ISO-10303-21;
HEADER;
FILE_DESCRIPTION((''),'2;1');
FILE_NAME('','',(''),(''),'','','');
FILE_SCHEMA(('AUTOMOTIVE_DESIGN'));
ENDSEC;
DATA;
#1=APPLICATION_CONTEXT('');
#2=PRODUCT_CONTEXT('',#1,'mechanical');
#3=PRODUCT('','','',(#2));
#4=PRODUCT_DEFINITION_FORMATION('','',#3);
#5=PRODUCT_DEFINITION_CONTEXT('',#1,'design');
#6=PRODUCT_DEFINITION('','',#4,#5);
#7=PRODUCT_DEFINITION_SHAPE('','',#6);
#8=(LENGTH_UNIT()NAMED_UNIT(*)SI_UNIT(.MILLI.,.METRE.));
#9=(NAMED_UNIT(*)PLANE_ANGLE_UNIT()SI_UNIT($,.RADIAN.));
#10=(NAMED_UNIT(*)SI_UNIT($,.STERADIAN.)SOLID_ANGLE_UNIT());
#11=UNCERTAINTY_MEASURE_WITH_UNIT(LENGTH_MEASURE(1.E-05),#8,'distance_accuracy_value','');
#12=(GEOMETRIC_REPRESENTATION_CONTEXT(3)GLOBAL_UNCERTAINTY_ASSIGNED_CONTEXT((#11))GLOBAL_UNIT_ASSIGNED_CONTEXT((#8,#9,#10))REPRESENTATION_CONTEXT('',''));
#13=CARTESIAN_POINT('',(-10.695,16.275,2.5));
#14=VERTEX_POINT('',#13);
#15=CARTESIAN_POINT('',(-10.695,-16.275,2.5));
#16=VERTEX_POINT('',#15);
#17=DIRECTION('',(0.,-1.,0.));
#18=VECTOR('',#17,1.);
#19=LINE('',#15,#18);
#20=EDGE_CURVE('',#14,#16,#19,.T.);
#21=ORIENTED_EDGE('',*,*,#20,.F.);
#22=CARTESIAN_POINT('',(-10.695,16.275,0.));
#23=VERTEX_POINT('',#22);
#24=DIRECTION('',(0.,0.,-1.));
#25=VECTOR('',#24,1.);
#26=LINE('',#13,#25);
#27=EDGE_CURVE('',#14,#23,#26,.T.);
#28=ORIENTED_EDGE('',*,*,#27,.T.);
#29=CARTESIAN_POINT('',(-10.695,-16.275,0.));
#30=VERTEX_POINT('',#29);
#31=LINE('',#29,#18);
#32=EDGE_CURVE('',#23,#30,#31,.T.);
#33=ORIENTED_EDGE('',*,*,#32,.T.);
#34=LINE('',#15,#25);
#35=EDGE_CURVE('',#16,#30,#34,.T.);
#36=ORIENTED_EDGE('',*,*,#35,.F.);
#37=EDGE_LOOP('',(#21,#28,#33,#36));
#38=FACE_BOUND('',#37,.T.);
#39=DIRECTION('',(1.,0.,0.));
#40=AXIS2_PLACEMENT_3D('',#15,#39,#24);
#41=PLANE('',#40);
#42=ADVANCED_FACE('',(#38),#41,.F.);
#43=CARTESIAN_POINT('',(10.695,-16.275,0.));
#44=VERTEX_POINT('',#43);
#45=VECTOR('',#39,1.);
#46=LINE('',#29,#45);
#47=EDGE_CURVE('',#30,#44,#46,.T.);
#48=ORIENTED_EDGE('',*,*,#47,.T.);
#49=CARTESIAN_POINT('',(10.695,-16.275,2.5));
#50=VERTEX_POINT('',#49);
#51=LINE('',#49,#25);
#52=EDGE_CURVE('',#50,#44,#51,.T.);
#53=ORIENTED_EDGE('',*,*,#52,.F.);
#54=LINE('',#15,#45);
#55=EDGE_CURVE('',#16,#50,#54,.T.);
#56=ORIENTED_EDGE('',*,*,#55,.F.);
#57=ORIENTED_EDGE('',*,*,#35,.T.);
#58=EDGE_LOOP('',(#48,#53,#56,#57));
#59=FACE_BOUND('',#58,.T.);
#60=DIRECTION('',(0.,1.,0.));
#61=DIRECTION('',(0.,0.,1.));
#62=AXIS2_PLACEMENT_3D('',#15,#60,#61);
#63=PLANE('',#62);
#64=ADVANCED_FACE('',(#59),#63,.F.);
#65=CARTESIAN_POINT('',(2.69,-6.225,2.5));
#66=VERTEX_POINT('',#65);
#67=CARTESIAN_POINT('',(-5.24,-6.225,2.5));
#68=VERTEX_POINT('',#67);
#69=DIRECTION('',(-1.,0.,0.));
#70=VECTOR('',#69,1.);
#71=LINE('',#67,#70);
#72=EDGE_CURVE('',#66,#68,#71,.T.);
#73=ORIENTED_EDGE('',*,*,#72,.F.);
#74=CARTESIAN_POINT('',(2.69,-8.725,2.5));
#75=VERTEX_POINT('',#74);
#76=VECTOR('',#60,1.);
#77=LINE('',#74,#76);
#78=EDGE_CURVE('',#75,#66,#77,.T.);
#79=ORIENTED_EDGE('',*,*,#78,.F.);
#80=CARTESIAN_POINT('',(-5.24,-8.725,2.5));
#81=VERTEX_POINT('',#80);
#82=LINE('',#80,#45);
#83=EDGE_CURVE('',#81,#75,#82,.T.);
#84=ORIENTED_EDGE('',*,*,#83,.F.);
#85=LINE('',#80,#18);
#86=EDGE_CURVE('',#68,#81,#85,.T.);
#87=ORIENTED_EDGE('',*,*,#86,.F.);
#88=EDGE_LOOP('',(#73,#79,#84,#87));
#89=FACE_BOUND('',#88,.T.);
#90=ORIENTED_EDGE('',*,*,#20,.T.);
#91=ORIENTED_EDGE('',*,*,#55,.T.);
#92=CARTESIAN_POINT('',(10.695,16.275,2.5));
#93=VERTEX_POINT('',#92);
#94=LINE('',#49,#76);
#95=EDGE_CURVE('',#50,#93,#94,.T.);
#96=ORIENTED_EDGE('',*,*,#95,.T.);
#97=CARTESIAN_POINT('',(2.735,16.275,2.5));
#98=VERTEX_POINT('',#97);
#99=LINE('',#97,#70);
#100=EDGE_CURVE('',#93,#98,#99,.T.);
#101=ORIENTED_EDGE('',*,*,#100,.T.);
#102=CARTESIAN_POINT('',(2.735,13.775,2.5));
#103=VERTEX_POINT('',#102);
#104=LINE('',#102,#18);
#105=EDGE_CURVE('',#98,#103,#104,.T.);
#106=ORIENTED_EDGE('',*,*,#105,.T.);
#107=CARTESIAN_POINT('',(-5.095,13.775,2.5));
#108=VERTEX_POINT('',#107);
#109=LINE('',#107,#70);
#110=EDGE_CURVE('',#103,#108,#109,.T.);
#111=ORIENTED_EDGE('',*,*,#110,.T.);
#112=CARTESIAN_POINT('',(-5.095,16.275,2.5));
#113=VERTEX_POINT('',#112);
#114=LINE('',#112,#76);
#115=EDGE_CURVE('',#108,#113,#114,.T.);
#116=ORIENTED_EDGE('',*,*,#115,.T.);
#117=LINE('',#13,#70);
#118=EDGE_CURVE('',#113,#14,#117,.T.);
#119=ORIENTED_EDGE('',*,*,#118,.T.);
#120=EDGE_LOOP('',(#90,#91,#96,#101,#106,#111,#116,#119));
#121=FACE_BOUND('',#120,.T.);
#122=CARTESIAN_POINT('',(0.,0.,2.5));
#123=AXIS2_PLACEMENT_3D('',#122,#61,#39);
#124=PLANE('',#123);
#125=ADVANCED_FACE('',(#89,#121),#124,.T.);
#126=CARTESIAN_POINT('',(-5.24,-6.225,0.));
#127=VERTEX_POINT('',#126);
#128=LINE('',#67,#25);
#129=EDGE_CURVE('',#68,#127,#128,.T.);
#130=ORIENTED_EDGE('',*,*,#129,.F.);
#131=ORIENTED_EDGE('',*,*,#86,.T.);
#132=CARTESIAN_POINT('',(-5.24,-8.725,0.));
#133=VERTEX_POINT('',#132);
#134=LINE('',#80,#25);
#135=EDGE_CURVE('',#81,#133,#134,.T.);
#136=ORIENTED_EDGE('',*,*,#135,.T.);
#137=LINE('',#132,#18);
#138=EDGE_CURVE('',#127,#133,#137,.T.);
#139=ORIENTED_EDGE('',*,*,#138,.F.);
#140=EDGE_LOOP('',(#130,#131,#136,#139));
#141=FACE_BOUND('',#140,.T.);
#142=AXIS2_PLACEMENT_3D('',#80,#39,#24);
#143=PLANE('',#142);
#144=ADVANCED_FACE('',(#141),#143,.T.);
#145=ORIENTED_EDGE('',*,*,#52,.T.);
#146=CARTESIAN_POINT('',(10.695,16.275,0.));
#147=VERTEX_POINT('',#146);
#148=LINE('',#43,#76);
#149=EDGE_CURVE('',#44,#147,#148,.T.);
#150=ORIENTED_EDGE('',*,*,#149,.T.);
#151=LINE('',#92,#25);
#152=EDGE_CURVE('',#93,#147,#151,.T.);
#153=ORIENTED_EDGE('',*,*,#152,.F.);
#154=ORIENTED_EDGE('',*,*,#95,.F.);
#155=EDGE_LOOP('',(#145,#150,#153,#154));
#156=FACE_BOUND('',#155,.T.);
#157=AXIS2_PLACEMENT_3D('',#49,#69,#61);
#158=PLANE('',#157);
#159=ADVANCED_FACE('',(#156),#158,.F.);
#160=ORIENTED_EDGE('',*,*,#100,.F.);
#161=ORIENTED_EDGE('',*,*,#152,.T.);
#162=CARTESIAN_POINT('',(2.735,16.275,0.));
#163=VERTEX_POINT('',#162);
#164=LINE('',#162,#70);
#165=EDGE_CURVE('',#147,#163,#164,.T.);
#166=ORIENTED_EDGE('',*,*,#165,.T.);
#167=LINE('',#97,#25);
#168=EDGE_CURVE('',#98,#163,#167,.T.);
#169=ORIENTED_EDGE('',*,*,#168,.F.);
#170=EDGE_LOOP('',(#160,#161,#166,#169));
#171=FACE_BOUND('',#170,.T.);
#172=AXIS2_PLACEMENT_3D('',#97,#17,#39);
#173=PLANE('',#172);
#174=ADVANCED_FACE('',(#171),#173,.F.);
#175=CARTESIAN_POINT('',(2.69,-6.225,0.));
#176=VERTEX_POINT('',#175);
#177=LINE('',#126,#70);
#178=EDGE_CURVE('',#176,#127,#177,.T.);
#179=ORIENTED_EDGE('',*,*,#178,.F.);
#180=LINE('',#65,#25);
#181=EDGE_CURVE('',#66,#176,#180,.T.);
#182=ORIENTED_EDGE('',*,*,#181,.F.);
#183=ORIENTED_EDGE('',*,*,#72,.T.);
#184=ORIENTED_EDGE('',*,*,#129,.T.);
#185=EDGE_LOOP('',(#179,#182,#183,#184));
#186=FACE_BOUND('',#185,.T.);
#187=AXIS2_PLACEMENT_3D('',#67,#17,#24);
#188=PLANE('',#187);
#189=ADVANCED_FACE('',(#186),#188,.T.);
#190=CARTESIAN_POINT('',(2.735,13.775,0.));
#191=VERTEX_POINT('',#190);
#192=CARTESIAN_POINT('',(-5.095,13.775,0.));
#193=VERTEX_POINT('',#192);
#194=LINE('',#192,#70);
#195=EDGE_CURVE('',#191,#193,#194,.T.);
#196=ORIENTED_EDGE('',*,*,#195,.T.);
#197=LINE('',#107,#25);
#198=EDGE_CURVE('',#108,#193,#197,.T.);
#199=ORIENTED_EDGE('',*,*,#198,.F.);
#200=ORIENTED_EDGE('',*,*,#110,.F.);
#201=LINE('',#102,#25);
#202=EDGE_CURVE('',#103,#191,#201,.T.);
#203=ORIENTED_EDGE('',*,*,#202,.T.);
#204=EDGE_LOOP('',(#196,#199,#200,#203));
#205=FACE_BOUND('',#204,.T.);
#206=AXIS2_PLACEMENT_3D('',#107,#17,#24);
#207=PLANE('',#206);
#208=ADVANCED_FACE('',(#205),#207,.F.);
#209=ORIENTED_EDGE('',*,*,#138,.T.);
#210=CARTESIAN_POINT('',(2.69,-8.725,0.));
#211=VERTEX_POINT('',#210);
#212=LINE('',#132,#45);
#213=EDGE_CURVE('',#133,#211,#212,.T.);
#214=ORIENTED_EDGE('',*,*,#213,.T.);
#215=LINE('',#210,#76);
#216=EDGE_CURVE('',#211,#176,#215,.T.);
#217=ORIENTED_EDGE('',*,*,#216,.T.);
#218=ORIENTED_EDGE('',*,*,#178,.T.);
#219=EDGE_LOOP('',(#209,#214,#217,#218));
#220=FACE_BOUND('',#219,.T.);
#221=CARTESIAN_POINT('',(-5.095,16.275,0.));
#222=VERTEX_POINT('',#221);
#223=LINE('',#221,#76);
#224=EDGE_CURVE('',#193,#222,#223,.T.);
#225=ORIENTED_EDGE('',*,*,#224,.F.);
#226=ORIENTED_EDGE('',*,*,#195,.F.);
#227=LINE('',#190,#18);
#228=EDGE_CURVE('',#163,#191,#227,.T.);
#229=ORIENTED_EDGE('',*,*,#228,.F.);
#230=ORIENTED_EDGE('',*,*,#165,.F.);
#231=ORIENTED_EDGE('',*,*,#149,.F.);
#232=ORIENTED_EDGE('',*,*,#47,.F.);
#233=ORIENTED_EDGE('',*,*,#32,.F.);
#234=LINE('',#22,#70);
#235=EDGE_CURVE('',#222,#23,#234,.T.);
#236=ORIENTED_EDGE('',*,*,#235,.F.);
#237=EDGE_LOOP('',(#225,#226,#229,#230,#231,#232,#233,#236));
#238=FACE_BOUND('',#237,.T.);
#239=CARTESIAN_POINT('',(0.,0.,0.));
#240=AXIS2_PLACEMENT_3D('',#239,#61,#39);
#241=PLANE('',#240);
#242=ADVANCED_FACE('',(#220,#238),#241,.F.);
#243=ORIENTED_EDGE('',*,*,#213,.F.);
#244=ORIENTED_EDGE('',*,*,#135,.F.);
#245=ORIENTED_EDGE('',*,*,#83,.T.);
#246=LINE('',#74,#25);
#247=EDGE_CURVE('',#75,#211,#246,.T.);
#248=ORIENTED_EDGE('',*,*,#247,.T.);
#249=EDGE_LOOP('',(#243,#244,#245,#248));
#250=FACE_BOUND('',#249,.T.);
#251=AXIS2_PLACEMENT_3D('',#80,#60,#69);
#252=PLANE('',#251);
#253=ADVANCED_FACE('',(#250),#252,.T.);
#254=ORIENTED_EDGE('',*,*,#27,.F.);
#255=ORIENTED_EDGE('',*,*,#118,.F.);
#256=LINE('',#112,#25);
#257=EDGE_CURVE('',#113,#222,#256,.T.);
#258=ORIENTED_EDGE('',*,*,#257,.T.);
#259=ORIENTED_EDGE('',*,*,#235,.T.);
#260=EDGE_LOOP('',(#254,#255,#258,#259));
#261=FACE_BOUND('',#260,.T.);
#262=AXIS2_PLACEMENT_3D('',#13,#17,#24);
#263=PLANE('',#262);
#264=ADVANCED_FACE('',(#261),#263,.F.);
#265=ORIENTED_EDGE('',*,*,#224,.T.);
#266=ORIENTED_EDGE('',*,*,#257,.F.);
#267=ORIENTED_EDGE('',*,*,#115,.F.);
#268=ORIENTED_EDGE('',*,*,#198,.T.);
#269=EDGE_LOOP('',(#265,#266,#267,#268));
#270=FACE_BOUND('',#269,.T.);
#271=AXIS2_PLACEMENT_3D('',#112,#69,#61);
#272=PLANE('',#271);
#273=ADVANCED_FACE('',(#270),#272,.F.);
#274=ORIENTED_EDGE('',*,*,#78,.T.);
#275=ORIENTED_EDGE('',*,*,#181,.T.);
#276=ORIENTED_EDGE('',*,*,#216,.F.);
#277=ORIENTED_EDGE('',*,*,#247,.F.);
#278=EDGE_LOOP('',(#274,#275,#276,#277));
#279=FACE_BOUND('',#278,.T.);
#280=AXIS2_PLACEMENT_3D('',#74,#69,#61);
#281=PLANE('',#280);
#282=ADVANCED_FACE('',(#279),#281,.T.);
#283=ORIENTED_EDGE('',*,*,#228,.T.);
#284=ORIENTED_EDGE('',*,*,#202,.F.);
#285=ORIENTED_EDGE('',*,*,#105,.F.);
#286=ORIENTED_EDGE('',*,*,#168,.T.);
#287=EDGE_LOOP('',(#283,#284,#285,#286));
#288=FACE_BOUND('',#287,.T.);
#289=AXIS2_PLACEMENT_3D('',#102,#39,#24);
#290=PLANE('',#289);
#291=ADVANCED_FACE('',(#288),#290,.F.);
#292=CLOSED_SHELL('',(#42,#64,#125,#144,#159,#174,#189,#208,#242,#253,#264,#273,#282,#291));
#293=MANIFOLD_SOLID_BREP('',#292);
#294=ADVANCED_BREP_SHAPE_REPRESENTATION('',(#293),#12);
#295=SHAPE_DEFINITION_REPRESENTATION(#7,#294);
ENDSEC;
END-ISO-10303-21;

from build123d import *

# Parameters (mm, degrees)
SKETCH1_W           = 7.93
SKETCH1_H           = 2.5
BOSS_EXTRUDE1_DEPTH = 2.5


with BuildPart() as part:
    # Sketch1 → Boss-Extrude1 (new body)
    with BuildSketch(Plane.XY):
        Polygon((-10.695, 16.275), (-5.095, 16.275), (-5.095, 13.775), (2.735, 13.775), (2.735, 16.275), (10.695, 16.275), (10.695, -16.275), (-10.695, -16.275), align=None)
        with Locations((-1.275, -7.475)):
            Rectangle(SKETCH1_W, SKETCH1_H, mode=Mode.SUBTRACT)
    extrude(amount=BOSS_EXTRUDE1_DEPTH)


solid = part.part
